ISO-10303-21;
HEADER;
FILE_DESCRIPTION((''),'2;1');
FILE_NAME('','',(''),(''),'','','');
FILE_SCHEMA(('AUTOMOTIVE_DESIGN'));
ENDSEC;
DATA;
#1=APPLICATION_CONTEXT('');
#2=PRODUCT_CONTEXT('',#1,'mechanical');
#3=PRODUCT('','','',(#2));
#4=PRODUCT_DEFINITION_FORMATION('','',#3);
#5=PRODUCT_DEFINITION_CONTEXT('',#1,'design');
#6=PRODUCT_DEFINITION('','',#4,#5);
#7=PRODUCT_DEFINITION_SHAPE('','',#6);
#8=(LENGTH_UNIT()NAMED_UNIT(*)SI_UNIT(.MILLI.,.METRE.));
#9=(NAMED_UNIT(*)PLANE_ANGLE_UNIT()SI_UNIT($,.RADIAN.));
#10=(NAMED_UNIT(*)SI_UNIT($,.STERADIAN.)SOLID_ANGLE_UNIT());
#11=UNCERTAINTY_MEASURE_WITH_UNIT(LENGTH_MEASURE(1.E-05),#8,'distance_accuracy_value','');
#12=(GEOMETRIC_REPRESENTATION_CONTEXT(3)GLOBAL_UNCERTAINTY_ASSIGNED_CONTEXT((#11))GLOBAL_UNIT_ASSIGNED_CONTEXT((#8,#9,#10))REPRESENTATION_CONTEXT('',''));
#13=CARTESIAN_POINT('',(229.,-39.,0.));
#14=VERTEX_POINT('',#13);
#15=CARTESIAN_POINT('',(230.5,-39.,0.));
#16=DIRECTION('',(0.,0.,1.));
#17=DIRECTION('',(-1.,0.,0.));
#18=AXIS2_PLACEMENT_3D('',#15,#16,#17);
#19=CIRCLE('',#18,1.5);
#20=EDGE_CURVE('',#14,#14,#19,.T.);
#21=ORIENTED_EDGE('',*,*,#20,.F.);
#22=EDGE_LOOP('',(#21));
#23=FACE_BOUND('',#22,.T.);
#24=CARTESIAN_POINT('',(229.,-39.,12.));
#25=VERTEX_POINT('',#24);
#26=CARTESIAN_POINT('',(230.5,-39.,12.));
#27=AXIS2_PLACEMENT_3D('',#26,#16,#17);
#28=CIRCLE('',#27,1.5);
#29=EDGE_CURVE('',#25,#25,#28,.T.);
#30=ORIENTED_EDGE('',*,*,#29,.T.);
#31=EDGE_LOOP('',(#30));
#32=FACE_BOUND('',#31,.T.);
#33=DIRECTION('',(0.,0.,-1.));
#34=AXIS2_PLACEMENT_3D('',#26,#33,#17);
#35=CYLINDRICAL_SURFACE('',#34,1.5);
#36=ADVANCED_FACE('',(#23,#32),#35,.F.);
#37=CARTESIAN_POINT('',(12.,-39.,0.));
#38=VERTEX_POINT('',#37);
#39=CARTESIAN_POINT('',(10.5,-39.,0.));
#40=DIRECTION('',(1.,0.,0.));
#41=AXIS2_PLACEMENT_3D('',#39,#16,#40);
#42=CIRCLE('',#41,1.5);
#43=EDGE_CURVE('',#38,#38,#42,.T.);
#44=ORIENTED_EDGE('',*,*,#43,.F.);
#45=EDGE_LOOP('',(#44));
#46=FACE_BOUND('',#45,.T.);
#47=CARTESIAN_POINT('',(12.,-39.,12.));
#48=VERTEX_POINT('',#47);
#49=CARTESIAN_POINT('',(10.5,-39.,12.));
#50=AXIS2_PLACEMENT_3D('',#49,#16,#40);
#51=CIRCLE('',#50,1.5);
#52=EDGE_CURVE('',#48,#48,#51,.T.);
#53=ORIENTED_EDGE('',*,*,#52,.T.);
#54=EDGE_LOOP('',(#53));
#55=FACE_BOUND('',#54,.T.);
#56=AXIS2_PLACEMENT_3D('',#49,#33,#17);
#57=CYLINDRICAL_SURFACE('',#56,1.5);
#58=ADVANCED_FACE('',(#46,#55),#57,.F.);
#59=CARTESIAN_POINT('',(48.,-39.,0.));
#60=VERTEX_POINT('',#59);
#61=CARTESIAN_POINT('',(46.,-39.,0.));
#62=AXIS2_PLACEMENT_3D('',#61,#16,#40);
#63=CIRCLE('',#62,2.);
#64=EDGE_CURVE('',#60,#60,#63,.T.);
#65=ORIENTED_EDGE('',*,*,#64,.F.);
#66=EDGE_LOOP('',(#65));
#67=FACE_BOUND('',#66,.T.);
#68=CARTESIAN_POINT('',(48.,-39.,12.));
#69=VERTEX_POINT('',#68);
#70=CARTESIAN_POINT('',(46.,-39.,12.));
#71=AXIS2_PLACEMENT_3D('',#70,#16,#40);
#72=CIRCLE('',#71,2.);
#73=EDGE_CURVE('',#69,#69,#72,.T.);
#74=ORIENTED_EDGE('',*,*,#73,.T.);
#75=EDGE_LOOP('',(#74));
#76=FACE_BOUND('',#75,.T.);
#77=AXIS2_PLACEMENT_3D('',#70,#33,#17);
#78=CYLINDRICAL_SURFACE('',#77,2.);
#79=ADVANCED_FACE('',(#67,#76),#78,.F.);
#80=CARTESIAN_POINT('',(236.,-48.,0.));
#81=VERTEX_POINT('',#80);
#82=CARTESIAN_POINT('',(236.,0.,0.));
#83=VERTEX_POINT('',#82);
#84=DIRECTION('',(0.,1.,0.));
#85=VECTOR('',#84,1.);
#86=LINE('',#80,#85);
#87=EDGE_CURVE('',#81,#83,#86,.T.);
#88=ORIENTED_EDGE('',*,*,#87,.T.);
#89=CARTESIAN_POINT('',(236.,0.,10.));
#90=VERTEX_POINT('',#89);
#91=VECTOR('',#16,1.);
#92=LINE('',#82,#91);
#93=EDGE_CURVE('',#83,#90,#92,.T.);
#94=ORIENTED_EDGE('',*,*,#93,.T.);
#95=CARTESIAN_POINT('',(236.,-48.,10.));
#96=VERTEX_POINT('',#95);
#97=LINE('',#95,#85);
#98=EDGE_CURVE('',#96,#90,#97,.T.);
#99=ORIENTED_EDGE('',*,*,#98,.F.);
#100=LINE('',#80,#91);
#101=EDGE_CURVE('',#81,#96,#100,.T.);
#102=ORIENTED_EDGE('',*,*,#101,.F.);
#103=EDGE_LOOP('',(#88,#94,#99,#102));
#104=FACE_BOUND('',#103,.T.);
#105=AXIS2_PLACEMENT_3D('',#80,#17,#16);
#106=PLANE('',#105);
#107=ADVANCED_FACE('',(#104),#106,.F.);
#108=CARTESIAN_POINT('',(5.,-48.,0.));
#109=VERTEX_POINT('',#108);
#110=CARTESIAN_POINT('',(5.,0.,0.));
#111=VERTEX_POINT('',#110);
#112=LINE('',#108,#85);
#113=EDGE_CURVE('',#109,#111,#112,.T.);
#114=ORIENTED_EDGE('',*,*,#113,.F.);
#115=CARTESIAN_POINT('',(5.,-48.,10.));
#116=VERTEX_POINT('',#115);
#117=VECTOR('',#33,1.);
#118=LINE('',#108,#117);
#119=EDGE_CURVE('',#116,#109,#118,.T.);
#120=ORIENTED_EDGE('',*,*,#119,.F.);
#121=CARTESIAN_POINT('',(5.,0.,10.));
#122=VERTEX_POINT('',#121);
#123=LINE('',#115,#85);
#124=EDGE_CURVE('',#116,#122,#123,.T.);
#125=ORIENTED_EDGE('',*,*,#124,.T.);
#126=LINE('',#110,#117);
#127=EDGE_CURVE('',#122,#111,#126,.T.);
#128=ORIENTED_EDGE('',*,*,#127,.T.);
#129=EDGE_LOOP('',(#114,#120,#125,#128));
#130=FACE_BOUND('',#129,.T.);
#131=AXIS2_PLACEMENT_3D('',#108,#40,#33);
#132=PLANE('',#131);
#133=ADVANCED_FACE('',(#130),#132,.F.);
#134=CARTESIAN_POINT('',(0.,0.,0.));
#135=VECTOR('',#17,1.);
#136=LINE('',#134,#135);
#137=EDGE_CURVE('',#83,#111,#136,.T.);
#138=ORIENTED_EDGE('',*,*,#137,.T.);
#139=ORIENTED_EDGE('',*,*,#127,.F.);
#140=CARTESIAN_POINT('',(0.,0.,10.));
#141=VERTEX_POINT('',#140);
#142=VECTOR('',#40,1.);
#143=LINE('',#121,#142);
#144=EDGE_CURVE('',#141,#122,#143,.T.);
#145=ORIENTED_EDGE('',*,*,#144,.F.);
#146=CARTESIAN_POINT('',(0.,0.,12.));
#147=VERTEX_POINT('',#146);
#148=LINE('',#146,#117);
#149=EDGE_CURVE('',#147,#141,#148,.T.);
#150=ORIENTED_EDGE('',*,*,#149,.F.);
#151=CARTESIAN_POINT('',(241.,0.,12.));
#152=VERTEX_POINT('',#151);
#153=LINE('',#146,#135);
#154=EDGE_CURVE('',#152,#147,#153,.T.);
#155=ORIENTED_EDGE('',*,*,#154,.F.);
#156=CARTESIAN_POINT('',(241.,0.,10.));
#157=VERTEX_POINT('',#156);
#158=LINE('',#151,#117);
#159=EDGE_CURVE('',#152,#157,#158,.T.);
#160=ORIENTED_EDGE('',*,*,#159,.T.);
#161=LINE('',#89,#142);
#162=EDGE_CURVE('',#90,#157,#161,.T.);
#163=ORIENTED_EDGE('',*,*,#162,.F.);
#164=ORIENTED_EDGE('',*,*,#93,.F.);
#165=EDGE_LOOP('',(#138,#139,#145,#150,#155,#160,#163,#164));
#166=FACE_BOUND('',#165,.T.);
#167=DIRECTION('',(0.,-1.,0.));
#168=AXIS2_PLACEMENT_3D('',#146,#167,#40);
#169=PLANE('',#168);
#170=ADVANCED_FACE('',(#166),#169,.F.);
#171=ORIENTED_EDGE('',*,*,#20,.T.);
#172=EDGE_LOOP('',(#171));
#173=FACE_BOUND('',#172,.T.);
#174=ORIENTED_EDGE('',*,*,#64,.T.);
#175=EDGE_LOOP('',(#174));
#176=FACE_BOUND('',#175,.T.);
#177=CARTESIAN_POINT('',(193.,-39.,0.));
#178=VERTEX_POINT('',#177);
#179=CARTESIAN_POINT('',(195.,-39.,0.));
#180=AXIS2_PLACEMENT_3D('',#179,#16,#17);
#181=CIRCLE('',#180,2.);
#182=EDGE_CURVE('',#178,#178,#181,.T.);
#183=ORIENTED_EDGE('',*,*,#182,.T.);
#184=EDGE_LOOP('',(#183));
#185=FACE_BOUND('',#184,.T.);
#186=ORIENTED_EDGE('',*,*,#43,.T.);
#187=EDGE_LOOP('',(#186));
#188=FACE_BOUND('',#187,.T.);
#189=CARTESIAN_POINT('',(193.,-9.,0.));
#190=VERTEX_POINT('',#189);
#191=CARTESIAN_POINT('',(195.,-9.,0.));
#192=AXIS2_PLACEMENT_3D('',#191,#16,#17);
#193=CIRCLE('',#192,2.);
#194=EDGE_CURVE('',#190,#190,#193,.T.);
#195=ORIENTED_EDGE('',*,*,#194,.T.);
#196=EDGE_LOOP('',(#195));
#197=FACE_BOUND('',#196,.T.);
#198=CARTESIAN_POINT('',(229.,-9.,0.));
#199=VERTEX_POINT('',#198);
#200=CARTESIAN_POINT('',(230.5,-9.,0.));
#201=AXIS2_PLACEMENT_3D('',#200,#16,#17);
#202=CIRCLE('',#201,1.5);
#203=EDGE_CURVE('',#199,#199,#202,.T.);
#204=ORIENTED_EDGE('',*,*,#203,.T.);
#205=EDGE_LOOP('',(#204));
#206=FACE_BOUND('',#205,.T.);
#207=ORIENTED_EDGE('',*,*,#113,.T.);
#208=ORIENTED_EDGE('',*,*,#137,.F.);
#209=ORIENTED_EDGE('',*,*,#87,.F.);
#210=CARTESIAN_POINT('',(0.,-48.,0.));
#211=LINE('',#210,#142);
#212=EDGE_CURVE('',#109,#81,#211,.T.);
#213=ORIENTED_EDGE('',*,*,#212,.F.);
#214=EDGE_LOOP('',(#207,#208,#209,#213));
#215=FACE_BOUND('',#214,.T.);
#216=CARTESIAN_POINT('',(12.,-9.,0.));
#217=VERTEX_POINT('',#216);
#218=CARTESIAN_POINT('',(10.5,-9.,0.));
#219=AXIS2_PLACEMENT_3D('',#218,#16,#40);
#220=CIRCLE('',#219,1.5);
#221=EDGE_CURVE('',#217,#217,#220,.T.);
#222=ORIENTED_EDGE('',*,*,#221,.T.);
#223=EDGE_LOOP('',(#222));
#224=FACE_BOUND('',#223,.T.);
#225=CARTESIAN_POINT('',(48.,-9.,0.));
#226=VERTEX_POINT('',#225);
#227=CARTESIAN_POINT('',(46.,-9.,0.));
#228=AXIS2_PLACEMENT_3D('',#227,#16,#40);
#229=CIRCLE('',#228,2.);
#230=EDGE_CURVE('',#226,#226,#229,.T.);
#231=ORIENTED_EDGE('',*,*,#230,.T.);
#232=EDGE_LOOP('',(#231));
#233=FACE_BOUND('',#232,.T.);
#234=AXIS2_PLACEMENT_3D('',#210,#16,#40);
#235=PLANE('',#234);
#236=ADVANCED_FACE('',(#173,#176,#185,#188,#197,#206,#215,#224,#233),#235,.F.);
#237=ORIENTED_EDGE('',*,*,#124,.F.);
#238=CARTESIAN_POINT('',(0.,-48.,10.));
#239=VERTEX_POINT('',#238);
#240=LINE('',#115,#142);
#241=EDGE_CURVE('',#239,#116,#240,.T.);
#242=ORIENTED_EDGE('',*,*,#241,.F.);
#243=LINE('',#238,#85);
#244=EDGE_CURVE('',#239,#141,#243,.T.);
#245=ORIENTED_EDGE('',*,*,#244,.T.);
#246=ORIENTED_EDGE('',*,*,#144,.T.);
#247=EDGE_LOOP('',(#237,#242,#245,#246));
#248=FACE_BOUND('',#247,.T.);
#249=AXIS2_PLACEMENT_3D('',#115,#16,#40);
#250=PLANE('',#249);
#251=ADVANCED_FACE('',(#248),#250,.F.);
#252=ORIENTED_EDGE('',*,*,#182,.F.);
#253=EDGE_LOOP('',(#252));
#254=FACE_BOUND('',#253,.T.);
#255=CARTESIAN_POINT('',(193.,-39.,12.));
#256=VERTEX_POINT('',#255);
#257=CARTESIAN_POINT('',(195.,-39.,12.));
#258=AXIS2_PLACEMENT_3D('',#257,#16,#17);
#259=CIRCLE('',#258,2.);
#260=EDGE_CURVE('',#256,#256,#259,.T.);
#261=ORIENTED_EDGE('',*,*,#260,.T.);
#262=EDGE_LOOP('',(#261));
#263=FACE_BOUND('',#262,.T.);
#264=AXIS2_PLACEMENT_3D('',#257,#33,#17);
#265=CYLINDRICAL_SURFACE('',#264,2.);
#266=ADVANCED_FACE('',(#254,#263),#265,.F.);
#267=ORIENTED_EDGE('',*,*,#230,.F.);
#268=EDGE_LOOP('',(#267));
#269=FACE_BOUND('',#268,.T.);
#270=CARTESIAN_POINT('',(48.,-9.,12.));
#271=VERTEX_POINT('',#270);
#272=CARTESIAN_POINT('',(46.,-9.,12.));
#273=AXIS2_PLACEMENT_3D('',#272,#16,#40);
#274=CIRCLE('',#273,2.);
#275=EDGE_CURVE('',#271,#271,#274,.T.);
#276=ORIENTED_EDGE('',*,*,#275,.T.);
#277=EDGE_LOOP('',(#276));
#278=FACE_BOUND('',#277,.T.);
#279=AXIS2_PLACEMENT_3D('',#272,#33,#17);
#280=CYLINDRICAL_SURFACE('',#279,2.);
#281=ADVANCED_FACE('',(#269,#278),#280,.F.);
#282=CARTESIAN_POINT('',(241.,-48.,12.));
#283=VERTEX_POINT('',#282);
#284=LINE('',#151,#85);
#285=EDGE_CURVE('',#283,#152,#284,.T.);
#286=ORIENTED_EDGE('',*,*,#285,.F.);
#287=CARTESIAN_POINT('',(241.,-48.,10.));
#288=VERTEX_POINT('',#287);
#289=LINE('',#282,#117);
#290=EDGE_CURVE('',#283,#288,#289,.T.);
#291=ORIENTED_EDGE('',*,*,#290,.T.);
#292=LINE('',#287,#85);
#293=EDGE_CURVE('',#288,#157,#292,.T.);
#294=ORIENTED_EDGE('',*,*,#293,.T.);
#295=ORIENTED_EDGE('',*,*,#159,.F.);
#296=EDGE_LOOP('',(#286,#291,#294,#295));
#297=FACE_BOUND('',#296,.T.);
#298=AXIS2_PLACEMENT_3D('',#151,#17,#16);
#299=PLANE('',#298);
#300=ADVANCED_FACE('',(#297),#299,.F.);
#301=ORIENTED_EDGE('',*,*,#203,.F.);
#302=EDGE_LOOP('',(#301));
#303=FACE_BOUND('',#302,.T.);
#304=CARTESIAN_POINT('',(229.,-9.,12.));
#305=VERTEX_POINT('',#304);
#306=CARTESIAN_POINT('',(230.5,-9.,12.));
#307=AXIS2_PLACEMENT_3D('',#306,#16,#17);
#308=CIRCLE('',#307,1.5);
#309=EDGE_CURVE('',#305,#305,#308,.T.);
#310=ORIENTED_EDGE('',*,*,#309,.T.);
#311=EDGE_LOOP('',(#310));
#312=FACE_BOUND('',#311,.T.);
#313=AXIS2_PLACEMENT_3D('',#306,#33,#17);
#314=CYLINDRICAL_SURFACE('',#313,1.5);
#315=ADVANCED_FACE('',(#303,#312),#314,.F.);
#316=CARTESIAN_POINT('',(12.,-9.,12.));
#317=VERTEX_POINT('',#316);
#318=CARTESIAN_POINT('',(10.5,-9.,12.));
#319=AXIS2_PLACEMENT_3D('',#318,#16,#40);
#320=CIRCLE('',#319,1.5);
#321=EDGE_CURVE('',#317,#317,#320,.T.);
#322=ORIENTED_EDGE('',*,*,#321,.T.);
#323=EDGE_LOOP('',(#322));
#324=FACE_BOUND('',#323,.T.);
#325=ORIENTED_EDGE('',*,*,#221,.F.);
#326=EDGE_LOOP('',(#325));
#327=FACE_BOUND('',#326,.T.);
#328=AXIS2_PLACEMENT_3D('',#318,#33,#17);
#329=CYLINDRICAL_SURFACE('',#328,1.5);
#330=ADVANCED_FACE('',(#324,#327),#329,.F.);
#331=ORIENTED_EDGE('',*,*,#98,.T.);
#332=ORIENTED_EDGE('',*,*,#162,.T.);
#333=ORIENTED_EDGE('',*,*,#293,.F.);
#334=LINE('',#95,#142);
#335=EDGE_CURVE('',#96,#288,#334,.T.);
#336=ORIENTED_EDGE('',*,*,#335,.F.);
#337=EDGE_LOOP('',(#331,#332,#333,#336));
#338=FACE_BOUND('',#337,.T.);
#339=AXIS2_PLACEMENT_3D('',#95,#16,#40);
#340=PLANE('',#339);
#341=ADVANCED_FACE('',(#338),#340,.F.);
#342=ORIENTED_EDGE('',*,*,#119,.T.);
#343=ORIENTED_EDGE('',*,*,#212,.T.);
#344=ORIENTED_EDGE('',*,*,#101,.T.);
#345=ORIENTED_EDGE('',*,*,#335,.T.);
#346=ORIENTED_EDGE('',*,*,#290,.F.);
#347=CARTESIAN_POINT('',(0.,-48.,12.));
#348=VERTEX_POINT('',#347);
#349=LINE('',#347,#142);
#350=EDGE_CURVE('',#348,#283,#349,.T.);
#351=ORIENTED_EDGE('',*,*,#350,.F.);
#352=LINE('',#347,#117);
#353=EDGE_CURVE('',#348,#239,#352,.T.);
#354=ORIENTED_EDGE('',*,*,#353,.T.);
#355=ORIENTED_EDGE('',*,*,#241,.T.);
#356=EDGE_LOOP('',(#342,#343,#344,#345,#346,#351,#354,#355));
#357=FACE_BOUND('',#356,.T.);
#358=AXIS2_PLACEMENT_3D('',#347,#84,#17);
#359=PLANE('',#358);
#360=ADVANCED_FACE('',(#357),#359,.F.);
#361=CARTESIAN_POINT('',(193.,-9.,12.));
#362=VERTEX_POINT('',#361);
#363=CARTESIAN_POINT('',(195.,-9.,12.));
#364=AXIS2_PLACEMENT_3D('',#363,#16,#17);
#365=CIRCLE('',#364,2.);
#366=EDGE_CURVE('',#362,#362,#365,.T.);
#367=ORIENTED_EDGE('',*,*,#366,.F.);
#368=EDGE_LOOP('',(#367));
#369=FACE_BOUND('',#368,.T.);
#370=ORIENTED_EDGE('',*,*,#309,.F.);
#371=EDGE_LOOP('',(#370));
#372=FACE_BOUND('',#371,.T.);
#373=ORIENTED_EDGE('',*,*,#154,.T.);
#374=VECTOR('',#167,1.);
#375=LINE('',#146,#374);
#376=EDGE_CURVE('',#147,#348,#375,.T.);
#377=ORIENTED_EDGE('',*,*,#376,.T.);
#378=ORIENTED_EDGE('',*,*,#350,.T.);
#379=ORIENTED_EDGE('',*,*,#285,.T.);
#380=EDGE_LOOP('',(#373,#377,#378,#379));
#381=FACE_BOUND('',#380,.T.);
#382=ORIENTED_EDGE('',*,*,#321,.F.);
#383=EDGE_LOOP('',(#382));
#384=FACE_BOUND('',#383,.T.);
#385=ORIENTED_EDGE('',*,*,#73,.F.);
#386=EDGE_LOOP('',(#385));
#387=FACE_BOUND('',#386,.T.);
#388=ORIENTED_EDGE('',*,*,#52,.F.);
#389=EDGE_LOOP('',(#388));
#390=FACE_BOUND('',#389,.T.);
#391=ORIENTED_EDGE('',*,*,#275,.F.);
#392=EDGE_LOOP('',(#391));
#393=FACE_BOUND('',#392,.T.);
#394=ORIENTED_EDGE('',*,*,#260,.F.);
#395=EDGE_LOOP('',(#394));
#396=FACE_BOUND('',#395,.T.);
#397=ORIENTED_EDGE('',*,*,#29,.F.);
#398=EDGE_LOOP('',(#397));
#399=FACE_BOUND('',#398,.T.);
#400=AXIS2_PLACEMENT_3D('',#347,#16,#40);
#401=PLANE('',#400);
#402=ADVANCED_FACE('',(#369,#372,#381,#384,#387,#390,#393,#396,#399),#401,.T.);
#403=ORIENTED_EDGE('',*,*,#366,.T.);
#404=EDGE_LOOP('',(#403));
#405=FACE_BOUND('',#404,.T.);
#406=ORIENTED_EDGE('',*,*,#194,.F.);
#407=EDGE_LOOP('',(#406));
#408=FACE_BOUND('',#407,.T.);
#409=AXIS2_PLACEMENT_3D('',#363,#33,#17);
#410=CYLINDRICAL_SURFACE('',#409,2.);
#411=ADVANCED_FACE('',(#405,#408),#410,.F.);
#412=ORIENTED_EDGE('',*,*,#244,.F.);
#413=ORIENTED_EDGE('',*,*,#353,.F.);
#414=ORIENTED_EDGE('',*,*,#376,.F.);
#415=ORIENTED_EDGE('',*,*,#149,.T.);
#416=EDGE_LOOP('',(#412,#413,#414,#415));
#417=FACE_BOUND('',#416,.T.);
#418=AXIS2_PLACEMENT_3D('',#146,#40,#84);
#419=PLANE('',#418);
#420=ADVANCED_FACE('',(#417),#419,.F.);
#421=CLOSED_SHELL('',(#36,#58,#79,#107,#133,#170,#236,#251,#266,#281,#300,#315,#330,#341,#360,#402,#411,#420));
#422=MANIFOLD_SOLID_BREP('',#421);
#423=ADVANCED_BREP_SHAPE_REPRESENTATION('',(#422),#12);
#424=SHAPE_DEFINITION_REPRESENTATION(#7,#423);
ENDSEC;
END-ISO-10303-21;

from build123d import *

# Parameters (mm, degrees)
ESQUISSE1_W      = 241
ESQUISSE1_H      = 48
ESQUISSE1_R      = 1.5
ESQUISSE1_R_2    = 2
EXTRUSION1_DEPTH = 12
ESQUISSE2_W      = 5
ESQUISSE2_H      = 10
EXTRUSION2_DEPTH = 49


with BuildPart() as part:
    # Esquisse1 → Extrusion1 (new body)
    with BuildSketch(Plane.XY):
        with Locations((120.5, -24)):
            Rectangle(ESQUISSE1_W, ESQUISSE1_H)
        with Locations((230.5, -39)):
            Circle(ESQUISSE1_R, mode=Mode.SUBTRACT)
        with Locations((10.5, -9)):
            Circle(ESQUISSE1_R, mode=Mode.SUBTRACT)
        with Locations((10.5, -39)):
            Circle(ESQUISSE1_R, mode=Mode.SUBTRACT)
        with Locations((230.5, -9)):
            Circle(ESQUISSE1_R, mode=Mode.SUBTRACT)
        with Locations((195, -39)):
            Circle(ESQUISSE1_R_2, mode=Mode.SUBTRACT)
        with Locations((46, -9)):
            Circle(ESQUISSE1_R_2, mode=Mode.SUBTRACT)
        with Locations((46, -39)):
            Circle(ESQUISSE1_R_2, mode=Mode.SUBTRACT)
        with Locations((195, -9)):
            Circle(ESQUISSE1_R_2, mode=Mode.SUBTRACT)
    extrude(amount=EXTRUSION1_DEPTH)

    # Esquisse2 → Extrusion2 (cut, through all)
    with BuildSketch(Plane(origin=(0, 0, 0), x_dir=(1, 0, 0), z_dir=(0, 1, 0))):
        with Locations((2.5, -5)):
            Rectangle(ESQUISSE2_W, ESQUISSE2_H)
        with Locations((238.5, -5)):
            Rectangle(ESQUISSE2_W, ESQUISSE2_H)
    extrude(amount=-EXTRUSION2_DEPTH, mode=Mode.SUBTRACT)


solid = part.part
